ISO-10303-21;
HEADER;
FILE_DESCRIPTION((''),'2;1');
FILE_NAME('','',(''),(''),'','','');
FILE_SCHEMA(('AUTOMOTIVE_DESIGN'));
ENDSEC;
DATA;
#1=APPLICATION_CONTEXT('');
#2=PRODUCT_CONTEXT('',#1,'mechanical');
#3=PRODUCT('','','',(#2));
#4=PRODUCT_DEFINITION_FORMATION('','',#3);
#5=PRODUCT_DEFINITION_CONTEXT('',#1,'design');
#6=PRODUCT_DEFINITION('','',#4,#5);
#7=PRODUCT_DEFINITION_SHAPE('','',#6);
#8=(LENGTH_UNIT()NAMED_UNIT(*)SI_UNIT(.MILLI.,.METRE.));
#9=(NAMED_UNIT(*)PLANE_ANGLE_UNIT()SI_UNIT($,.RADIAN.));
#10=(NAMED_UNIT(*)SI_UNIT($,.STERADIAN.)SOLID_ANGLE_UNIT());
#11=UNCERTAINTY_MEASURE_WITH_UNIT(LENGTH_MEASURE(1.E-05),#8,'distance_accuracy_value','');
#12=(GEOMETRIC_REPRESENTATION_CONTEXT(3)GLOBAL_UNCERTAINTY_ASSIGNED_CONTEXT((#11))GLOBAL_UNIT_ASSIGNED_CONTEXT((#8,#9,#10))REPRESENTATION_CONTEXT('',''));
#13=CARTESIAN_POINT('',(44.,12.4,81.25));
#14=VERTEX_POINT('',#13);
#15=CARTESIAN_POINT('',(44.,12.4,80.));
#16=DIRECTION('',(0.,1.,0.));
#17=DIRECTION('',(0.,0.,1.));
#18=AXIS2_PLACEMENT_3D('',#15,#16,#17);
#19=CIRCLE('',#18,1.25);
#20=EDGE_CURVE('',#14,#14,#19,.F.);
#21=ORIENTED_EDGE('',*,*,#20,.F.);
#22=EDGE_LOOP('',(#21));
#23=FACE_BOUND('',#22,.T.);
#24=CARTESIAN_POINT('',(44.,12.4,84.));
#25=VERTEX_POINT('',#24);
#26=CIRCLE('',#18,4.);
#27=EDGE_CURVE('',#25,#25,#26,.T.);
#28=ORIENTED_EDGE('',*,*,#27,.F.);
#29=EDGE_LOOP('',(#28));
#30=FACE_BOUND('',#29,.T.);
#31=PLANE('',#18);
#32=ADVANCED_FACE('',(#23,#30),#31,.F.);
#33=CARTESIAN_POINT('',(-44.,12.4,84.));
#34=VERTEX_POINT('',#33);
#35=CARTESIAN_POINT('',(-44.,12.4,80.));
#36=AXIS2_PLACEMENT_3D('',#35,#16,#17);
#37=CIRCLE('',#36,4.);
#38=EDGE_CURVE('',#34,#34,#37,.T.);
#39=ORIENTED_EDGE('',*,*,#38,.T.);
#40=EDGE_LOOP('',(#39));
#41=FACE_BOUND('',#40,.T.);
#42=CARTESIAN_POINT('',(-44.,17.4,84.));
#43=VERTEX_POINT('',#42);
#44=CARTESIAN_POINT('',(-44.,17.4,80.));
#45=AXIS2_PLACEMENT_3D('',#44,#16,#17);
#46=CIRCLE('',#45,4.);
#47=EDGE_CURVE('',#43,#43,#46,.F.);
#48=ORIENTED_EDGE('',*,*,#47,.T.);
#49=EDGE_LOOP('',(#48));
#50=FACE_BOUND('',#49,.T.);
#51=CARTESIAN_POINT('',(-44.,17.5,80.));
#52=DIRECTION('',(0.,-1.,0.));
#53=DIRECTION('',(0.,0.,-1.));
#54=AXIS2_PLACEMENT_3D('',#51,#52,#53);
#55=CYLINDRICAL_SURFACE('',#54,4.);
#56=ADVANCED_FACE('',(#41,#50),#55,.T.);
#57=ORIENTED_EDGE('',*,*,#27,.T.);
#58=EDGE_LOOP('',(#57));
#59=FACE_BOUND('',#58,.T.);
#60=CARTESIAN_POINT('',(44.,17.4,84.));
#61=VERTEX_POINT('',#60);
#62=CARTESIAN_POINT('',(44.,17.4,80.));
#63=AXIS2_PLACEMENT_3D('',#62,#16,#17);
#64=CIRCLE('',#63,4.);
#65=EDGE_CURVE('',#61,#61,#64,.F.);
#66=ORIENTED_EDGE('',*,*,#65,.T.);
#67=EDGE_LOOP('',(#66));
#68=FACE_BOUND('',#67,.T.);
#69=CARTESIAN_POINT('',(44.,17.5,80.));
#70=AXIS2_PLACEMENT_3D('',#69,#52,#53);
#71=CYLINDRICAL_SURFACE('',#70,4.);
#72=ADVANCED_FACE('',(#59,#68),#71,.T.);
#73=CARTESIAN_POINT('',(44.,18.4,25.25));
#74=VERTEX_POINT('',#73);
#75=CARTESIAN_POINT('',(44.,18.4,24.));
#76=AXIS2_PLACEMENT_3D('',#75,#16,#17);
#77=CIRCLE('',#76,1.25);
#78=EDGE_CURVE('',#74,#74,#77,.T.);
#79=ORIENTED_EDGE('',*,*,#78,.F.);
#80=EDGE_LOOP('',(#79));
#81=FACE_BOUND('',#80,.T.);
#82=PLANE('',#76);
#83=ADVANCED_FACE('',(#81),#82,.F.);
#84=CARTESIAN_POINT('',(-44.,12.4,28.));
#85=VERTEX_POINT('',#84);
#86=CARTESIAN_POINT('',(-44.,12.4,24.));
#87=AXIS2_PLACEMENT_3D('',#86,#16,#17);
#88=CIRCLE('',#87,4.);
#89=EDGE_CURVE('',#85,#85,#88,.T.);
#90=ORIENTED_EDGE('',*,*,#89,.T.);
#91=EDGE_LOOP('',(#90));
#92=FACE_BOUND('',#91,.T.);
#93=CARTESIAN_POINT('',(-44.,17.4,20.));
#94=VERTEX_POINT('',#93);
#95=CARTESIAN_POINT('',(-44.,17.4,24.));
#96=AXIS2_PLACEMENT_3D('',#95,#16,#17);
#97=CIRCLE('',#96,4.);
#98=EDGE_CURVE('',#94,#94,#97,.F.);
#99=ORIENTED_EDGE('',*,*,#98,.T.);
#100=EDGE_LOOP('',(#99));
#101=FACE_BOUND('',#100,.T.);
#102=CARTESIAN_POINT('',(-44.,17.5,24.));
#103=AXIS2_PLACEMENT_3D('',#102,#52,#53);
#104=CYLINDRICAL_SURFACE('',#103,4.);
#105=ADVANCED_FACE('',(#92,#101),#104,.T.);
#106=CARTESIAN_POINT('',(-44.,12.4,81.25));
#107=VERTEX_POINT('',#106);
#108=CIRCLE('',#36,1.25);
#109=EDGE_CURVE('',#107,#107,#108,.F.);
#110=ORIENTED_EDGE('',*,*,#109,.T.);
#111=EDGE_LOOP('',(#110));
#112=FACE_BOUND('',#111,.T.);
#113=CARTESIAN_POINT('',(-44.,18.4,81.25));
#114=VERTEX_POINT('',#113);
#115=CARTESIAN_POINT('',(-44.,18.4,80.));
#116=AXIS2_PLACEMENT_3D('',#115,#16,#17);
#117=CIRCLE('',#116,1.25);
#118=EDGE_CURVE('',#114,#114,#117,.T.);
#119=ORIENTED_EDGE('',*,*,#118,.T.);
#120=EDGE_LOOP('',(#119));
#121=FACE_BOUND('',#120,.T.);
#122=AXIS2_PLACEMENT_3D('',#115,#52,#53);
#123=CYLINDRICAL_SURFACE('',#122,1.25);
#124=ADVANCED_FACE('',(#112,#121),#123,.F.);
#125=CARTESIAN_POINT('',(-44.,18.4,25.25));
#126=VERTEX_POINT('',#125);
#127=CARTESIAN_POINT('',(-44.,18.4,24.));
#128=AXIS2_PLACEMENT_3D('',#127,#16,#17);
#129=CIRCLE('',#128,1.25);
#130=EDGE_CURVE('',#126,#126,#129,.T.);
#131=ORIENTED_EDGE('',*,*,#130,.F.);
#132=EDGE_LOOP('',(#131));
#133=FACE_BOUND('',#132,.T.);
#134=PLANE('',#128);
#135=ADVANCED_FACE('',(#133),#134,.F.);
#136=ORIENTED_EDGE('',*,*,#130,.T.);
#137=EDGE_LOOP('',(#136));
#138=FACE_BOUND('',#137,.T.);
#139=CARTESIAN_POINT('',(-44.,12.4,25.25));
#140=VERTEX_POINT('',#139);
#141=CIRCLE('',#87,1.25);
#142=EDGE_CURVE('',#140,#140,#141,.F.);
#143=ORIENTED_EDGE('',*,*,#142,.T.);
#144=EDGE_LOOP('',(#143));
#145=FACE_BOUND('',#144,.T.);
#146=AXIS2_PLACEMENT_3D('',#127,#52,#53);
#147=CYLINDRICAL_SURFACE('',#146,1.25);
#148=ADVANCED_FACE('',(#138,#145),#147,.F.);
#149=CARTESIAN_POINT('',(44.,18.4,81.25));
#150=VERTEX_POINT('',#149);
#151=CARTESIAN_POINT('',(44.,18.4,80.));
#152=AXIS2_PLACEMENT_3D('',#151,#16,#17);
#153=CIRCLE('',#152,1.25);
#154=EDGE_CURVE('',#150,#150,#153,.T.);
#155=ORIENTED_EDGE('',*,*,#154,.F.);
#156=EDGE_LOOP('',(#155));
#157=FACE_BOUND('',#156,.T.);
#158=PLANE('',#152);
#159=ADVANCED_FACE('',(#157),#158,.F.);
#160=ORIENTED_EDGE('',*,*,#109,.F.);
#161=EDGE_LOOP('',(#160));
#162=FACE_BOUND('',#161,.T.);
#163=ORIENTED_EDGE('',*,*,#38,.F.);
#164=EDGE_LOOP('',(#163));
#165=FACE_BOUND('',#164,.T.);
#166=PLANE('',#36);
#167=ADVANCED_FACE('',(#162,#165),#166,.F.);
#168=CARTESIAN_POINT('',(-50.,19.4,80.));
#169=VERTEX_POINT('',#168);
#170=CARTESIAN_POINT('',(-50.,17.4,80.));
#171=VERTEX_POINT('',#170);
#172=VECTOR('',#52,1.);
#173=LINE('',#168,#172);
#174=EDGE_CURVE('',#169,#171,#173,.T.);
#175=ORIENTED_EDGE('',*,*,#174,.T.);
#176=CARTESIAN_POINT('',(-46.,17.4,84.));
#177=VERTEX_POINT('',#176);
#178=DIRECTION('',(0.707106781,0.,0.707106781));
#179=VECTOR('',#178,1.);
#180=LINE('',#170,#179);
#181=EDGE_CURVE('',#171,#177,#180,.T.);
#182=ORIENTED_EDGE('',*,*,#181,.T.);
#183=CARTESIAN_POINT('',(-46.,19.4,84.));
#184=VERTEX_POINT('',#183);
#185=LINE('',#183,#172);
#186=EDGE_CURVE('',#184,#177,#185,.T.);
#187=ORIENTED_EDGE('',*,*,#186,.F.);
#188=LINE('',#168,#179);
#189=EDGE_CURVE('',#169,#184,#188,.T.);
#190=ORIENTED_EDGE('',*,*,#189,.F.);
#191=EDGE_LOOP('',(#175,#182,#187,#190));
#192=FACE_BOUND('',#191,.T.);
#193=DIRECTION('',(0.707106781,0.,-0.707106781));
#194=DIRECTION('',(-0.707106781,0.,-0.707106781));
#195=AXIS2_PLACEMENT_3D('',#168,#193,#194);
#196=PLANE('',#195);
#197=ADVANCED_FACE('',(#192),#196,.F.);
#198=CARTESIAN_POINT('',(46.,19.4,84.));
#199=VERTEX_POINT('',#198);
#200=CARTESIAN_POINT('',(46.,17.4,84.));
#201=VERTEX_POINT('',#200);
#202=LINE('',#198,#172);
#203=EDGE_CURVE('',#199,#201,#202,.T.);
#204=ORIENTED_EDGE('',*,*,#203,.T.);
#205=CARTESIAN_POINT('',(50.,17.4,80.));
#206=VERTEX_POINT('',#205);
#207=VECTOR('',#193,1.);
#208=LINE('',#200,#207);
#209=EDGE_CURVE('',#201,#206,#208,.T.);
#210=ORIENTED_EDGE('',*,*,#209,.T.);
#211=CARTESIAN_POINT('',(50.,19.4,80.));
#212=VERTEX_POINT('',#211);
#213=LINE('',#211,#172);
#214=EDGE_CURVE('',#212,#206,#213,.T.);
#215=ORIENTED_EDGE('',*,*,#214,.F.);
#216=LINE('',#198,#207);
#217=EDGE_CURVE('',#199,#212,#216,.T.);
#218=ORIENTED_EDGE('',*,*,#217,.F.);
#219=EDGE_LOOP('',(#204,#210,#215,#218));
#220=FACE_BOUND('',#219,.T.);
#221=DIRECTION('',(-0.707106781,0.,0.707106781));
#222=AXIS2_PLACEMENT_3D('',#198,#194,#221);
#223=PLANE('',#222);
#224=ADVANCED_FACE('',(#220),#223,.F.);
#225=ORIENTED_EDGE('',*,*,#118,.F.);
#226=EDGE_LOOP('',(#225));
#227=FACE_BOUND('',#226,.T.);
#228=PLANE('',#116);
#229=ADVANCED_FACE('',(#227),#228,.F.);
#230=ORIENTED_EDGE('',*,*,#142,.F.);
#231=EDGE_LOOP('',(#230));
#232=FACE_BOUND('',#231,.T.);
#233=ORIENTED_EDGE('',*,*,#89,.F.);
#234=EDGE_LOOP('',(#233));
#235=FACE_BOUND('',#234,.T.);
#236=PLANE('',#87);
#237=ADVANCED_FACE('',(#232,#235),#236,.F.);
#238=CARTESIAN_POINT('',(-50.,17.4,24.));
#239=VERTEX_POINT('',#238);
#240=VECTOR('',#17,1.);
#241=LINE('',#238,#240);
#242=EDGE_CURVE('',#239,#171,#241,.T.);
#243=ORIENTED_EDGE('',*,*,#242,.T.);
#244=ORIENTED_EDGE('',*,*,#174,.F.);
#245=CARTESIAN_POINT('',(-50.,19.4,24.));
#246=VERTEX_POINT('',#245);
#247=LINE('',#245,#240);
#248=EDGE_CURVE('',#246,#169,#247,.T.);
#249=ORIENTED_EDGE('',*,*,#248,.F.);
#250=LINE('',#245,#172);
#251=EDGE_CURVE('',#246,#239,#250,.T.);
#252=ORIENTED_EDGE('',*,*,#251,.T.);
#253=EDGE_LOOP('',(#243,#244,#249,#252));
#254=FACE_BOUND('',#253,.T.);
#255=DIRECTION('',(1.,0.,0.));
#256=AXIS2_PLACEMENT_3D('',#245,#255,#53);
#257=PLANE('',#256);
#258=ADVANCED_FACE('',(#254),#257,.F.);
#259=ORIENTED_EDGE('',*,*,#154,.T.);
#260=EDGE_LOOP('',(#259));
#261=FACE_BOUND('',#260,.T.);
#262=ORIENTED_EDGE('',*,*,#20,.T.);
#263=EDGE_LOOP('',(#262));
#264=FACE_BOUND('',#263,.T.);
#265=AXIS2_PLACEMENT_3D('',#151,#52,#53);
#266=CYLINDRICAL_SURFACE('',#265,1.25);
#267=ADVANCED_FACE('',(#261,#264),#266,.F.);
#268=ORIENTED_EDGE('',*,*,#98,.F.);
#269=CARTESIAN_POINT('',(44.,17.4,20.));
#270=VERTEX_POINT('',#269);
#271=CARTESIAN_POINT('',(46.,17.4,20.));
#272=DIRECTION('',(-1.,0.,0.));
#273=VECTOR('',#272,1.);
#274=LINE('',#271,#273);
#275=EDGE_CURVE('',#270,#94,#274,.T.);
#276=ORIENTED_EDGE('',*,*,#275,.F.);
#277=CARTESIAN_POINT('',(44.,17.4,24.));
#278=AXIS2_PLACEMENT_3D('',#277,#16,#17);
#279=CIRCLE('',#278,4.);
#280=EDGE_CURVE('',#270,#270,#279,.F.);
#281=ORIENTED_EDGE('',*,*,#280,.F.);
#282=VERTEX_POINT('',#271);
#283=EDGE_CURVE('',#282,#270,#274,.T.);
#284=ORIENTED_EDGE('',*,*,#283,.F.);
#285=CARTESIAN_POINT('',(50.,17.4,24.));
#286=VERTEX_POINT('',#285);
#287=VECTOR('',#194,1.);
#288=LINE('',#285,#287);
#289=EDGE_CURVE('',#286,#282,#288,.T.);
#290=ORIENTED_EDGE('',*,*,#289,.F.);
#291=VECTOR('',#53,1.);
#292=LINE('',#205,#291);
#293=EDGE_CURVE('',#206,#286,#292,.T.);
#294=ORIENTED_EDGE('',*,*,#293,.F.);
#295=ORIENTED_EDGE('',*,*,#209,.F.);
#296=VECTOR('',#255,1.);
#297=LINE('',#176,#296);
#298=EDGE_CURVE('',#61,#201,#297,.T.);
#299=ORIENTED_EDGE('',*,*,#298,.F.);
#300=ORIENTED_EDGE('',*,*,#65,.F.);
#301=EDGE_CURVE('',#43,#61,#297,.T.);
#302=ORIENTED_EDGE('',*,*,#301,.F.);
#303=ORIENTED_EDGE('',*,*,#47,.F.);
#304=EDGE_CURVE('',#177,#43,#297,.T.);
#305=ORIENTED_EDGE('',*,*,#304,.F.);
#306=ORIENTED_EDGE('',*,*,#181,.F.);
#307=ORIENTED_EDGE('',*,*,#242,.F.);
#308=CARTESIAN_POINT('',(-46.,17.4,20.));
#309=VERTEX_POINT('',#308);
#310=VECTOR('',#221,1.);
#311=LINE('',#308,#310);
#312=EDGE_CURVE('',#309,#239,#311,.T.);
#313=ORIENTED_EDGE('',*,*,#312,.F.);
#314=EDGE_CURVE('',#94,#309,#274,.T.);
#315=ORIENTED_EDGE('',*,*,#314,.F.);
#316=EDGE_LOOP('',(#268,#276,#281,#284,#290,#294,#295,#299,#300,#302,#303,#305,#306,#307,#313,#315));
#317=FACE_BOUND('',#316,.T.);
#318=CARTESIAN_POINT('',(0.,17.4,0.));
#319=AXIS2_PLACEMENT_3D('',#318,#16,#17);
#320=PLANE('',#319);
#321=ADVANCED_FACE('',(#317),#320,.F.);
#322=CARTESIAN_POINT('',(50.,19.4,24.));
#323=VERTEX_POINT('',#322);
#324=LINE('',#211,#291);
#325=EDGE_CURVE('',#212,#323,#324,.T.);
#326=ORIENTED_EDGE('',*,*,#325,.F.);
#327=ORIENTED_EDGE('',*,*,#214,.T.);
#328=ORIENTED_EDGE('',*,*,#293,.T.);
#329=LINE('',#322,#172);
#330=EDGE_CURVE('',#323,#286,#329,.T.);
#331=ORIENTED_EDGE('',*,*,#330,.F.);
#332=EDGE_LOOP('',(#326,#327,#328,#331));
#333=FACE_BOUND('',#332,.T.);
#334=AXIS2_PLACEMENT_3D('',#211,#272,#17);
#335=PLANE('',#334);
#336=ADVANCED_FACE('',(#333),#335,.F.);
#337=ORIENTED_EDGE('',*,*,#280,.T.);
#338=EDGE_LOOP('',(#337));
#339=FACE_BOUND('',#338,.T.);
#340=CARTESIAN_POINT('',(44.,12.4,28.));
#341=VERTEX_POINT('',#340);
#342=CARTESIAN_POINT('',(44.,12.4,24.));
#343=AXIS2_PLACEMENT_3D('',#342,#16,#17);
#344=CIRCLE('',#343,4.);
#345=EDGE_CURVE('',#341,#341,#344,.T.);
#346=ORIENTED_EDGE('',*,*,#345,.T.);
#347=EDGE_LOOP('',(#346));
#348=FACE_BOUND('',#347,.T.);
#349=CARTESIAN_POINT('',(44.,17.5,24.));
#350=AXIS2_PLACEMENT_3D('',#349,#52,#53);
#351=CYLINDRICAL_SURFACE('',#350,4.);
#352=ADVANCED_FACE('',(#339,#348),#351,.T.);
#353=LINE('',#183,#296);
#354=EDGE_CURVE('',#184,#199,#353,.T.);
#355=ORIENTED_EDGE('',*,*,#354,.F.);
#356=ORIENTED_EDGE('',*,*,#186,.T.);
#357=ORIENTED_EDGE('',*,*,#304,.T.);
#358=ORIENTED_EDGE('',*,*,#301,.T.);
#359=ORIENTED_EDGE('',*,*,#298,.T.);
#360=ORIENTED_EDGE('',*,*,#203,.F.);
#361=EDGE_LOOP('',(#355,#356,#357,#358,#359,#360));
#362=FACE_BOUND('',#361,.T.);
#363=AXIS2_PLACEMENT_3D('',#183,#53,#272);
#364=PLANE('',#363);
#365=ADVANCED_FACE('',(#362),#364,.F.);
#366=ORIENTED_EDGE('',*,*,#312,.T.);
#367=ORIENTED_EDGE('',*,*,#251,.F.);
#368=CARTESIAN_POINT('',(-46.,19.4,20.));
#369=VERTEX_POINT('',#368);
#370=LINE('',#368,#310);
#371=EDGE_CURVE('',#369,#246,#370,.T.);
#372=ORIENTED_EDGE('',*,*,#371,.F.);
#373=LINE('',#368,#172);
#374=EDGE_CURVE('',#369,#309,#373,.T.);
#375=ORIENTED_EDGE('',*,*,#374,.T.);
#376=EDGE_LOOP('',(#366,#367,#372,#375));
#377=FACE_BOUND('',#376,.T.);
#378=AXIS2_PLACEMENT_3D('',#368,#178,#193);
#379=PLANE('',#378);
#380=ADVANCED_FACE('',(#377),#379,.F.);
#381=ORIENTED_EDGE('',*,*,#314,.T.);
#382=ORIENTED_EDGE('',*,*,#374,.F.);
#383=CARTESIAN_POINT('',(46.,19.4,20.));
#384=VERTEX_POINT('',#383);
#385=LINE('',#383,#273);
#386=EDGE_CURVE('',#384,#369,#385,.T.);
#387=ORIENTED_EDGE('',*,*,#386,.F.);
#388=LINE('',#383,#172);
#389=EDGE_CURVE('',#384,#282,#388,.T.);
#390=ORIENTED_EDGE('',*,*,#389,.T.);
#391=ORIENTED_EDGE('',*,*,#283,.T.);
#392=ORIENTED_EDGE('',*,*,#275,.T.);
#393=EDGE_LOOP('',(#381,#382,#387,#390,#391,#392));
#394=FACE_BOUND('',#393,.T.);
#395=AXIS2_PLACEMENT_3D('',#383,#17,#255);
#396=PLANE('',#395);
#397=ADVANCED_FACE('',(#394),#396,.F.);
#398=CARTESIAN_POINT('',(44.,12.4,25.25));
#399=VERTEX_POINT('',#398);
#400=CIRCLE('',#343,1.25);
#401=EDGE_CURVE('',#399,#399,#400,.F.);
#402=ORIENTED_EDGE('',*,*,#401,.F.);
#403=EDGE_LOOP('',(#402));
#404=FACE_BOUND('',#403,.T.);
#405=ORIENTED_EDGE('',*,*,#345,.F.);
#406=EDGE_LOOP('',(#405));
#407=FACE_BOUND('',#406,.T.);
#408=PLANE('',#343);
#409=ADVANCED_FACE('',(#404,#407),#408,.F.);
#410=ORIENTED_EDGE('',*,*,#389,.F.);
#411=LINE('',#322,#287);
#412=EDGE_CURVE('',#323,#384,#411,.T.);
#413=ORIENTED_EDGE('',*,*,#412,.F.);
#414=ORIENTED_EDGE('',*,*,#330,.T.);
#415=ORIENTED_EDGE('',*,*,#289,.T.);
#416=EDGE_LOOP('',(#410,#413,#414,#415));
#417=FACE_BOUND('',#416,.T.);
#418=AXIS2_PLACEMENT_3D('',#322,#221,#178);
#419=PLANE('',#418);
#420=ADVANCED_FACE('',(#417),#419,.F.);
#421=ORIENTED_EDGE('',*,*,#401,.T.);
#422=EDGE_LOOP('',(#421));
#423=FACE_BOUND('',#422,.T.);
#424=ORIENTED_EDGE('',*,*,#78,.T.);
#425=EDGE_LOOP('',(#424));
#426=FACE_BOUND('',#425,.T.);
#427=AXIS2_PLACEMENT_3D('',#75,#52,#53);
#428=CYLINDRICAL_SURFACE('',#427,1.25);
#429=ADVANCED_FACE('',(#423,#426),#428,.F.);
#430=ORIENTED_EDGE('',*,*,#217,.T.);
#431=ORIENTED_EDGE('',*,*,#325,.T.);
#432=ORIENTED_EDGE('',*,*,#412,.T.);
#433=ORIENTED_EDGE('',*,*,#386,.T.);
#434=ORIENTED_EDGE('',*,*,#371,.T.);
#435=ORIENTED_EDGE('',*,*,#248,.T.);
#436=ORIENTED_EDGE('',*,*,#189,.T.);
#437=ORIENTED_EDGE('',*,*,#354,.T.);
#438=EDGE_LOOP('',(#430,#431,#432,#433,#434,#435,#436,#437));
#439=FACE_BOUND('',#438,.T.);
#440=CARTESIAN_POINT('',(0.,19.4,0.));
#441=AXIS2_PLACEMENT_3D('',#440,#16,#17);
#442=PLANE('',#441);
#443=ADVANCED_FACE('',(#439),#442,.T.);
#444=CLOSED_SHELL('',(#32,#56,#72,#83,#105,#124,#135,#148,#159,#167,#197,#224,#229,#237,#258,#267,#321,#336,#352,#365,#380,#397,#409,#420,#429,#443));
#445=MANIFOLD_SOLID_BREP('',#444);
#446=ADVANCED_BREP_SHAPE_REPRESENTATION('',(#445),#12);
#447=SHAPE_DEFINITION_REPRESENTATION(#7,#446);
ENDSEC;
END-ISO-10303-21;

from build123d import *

# Parameters (mm, degrees)
SHADE_PLATE_DEPTH = 2
SKETCH2_R         = 4
POSTS_DEPTH       = 5.1
SKETCH3_R         = 1.25
POST_PILOTS_DEPTH = 6.5


with BuildPart() as part:
    # Sketch1 → Shade Plate (new body)
    with BuildSketch(Plane(origin=(0, 17.4, 0), x_dir=(1, 0, 0), z_dir=(0, 1, 0))):
        Polygon((-46, -84), (46, -84), (50, -80), (50, -24), (46, -20), (-46, -20), (-50, -24), (-50, -80), align=None)
    extrude(amount=SHADE_PLATE_DEPTH)

    # Sketch2 → Posts (add)
    with BuildSketch(Plane(origin=(0, 12.4, 0), x_dir=(1, 0, 0), z_dir=(0, 1, 0))):
        with Locations(Location((-44, -24, 0), (0, 0, 90))):
            Circle(SKETCH2_R)
        with Locations(Location((-44, -80, 0), (0, 0, 270))):
            Circle(SKETCH2_R)
        with Locations(Location((44, -24, 0), (0, 0, 90))):
            Circle(SKETCH2_R)
        with Locations(Location((44, -80, 0), (0, 0, 270))):
            Circle(SKETCH2_R)
    extrude(amount=POSTS_DEPTH)

    # Sketch3 → Post Pilots (cut)
    with BuildSketch(Plane(origin=(0, 11.9, 0), x_dir=(1, 0, 0), z_dir=(0, 1, 0))):
        with Locations(Location((-44, -24, 0), (0, 0, 270))):
            Circle(SKETCH3_R)
        with Locations(Location((-44, -80, 0), (0, 0, 270))):
            Circle(SKETCH3_R)
        with Locations(Location((44, -24, 0), (0, 0, 270))):
            Circle(SKETCH3_R)
        with Locations(Location((44, -80, 0), (0, 0, 270))):
            Circle(SKETCH3_R)
    extrude(amount=POST_PILOTS_DEPTH, mode=Mode.SUBTRACT)


solid = part.part
